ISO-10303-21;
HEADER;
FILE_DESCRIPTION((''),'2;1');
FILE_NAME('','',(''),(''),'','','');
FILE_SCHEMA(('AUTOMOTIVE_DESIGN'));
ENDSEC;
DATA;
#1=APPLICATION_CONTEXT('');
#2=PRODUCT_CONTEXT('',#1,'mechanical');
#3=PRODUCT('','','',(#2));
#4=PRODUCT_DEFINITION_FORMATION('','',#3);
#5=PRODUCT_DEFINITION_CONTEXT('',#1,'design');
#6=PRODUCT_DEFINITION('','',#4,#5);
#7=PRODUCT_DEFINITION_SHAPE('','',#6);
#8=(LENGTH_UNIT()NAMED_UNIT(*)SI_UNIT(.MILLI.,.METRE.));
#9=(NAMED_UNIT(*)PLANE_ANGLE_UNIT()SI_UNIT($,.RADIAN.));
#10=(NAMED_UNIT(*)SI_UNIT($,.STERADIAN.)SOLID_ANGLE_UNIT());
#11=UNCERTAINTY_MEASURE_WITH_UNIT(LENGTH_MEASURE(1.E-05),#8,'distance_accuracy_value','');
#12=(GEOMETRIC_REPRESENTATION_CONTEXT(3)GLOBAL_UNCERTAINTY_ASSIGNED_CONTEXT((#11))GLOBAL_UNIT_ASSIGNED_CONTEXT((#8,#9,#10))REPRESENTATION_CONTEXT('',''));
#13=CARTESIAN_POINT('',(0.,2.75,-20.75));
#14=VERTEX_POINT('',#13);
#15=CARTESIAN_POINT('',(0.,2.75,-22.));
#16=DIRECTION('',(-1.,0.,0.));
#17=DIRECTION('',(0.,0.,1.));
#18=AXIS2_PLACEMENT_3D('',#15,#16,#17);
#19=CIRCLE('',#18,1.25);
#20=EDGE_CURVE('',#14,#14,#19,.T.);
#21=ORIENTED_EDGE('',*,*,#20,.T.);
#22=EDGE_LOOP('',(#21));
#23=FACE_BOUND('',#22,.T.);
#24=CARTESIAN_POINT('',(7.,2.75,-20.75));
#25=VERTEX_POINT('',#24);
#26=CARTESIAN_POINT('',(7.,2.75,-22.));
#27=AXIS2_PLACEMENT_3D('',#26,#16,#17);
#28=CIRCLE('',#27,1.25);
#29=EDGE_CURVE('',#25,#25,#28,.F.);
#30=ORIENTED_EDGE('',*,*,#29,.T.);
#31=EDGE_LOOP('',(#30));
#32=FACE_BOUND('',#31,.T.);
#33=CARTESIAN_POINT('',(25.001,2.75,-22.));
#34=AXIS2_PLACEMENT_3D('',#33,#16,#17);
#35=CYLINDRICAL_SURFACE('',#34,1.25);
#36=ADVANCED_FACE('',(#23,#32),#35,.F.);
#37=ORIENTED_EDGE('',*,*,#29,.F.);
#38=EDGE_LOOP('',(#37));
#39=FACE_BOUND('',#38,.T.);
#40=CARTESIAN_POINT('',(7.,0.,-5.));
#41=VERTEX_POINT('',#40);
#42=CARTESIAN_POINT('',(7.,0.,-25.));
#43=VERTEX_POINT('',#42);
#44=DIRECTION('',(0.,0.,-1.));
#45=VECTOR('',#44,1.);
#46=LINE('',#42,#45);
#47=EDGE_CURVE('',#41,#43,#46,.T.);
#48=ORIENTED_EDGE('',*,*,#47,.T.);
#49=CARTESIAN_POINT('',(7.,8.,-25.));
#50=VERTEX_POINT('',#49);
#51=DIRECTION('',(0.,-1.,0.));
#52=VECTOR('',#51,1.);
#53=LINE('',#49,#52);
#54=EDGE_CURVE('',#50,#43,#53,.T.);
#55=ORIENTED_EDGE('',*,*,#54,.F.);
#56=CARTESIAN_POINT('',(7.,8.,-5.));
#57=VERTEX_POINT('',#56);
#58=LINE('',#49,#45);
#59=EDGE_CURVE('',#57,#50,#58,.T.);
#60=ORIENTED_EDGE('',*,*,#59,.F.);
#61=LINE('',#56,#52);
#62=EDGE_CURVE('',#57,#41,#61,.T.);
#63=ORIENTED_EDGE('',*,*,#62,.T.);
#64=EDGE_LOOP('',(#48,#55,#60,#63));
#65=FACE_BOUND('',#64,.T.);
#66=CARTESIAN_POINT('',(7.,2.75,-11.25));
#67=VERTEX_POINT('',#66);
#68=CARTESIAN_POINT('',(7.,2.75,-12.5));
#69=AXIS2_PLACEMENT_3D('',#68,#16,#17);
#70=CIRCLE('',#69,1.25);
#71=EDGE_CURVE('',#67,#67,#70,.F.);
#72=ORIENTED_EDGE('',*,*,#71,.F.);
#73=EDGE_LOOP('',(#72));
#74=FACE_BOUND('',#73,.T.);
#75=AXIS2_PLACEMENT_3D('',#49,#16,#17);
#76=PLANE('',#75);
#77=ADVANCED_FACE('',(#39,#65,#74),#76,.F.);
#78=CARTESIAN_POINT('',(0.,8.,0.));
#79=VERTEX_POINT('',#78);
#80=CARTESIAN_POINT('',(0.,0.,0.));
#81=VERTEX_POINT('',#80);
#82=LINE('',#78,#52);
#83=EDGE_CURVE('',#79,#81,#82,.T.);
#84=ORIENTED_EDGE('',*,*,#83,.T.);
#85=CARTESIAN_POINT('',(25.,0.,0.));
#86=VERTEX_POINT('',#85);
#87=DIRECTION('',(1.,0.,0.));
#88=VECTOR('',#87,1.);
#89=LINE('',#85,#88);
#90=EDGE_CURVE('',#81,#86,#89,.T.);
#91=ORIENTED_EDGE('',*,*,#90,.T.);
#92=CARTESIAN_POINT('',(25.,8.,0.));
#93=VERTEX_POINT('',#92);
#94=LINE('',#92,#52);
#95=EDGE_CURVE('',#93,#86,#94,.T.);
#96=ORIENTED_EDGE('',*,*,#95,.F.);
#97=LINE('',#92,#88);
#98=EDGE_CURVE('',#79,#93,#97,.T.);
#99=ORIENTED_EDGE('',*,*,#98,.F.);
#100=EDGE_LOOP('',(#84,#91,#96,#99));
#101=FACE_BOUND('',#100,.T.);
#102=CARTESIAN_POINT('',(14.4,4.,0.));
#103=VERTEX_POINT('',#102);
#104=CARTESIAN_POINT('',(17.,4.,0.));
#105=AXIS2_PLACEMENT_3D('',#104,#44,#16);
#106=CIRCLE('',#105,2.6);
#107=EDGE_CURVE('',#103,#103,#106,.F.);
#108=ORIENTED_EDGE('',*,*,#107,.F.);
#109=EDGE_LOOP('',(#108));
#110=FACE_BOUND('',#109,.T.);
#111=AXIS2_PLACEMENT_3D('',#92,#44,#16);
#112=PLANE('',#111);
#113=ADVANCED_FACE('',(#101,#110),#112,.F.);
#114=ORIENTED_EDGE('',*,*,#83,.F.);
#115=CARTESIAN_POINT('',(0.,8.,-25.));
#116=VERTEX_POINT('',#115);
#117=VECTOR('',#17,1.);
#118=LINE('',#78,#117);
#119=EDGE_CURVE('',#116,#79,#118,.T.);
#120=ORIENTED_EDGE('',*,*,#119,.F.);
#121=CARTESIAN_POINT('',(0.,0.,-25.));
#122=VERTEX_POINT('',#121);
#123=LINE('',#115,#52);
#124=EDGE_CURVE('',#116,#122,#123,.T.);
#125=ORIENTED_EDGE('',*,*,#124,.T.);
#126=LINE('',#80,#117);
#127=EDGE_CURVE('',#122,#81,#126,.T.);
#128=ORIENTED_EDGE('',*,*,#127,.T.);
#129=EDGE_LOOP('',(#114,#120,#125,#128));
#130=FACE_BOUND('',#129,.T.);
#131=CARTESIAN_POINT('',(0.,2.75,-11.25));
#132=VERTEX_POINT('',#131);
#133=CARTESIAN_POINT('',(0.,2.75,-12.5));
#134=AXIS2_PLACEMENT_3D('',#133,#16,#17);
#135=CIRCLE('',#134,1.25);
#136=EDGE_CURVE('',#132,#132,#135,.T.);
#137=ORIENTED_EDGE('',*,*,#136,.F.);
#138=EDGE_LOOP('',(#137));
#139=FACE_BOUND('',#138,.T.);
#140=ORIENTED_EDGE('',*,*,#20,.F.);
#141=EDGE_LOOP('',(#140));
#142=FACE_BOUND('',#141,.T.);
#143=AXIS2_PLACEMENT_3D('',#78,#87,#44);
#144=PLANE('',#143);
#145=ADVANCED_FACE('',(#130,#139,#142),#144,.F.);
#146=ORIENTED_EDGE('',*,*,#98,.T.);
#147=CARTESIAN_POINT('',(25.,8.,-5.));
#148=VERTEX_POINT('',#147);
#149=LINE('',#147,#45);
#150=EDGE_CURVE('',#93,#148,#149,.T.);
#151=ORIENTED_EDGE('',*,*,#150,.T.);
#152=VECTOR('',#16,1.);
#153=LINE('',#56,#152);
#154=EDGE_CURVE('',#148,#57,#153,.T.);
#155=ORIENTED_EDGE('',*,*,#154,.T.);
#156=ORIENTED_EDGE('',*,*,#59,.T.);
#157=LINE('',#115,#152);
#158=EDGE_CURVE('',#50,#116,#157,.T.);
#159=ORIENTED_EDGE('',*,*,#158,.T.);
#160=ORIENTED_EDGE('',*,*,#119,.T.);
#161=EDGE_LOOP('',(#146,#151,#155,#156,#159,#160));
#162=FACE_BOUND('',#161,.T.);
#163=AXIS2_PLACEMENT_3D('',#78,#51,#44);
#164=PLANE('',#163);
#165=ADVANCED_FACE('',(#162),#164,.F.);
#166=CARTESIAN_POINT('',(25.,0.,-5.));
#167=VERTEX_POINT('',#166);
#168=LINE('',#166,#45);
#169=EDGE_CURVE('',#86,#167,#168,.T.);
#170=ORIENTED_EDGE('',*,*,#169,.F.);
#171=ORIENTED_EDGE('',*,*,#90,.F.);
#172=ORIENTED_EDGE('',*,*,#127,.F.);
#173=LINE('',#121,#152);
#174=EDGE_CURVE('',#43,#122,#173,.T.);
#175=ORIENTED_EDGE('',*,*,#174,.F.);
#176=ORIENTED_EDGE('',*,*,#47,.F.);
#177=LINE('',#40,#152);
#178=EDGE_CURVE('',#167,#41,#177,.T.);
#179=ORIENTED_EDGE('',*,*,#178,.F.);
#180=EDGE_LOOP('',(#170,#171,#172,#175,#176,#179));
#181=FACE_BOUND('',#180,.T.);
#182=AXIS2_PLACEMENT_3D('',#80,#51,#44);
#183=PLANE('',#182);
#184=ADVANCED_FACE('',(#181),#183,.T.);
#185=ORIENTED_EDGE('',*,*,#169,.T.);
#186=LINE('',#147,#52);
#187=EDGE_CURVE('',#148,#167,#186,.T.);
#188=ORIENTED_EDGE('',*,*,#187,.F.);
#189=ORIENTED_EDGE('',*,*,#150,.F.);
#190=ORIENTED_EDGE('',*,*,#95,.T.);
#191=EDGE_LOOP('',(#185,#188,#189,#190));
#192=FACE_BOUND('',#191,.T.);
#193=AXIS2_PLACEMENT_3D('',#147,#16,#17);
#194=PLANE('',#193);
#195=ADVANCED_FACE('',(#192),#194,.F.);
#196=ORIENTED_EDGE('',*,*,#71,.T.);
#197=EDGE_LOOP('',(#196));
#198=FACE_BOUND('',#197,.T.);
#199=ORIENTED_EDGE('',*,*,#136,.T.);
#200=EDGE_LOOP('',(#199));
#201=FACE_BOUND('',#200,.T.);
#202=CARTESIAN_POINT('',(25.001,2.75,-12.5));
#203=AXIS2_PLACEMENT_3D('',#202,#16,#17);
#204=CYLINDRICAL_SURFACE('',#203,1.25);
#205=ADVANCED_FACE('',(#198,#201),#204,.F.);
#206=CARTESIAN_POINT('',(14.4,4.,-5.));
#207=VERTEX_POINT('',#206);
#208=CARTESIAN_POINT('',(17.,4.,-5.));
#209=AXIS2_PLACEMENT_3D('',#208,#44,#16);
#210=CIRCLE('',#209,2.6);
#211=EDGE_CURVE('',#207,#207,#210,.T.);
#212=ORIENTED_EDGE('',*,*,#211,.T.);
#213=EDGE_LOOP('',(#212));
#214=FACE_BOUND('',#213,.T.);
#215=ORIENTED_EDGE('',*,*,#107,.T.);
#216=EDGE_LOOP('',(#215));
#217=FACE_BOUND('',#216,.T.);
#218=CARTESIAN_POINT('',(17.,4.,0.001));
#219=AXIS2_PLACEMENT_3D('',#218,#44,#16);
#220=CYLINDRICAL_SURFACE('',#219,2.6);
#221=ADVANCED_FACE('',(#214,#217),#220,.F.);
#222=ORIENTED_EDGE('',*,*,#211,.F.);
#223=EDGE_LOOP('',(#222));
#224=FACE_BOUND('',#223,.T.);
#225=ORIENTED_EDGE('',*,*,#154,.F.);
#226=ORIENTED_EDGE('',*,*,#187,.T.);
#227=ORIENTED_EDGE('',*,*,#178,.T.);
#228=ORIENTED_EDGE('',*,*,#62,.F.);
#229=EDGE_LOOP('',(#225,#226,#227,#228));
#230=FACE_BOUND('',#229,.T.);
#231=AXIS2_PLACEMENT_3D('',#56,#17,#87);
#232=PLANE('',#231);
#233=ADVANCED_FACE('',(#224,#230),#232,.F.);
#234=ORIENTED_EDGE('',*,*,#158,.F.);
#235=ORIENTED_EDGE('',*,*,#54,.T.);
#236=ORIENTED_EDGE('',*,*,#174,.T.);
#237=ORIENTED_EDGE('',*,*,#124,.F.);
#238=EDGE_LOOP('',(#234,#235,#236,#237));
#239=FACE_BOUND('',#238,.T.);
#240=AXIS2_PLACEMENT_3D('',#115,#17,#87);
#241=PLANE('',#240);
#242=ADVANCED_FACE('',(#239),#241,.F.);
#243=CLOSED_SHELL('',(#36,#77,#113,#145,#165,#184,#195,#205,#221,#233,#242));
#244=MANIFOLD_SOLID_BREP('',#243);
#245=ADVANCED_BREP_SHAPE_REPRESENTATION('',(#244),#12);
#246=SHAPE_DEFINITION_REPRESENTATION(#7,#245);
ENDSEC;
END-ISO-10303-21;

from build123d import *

# Parameters (mm, degrees)
BOSS_EXTRUDE1_DEPTH = 8
CUT_EXTRUDE1_REACH  = 27
SKETCH2_R           = 1.25
CUT_EXTRUDE2_REACH  = 7
SKETCH4_R           = 2.6


with BuildPart() as part:
    # Sketch1 → Boss-Extrude1 (new body)
    with BuildSketch(Plane(origin=(0, 0, 0), x_dir=(1, 0, 0), z_dir=(0, 1, 0))):
        Polygon((0, 0), (0, 25), (7, 25), (7, 5), (25, 5), (25, 0), align=None)
    extrude(amount=BOSS_EXTRUDE1_DEPTH)

    # Sketch2 → Cut-Extrude1 (cut, up to next)
    with BuildSketch(Plane.ZY, mode=Mode.PRIVATE) as cut_extrude1_sk1:
        with Locations((-22, 2.75)):
            Circle(SKETCH2_R)
    cut_extrude1_tool1 = extrude(cut_extrude1_sk1.sketch, amount=-CUT_EXTRUDE1_REACH, mode=Mode.PRIVATE) & part.part
    add(cut_extrude1_tool1.solids().sort_by_distance((0, 2.75, -22))[0], mode=Mode.SUBTRACT)
    # Sketch2 → Cut-Extrude1 (cut, up to next)
    with BuildSketch(Plane.ZY, mode=Mode.PRIVATE) as cut_extrude1_sk2:
        with Locations((-12.5, 2.75)):
            Circle(SKETCH2_R)
    cut_extrude1_tool2 = extrude(cut_extrude1_sk2.sketch, amount=-CUT_EXTRUDE1_REACH, mode=Mode.PRIVATE) & part.part
    add(cut_extrude1_tool2.solids().sort_by_distance((0, 2.75, -12.5))[0], mode=Mode.SUBTRACT)

    # Sketch4 → Cut-Extrude2 (cut, up to next)
    with BuildSketch(Plane(origin=(0, 0, -5), x_dir=(-1, 0, 0), z_dir=(0, 0, -1)), mode=Mode.PRIVATE) as cut_extrude2_sk1:
        with Locations((-17, 4)):
            Circle(SKETCH4_R)
    cut_extrude2_tool1 = extrude(cut_extrude2_sk1.sketch, amount=-CUT_EXTRUDE2_REACH, mode=Mode.PRIVATE) & part.part
    add(cut_extrude2_tool1.solids().sort_by_distance((17, 4, -5))[0], mode=Mode.SUBTRACT)


solid = part.part
